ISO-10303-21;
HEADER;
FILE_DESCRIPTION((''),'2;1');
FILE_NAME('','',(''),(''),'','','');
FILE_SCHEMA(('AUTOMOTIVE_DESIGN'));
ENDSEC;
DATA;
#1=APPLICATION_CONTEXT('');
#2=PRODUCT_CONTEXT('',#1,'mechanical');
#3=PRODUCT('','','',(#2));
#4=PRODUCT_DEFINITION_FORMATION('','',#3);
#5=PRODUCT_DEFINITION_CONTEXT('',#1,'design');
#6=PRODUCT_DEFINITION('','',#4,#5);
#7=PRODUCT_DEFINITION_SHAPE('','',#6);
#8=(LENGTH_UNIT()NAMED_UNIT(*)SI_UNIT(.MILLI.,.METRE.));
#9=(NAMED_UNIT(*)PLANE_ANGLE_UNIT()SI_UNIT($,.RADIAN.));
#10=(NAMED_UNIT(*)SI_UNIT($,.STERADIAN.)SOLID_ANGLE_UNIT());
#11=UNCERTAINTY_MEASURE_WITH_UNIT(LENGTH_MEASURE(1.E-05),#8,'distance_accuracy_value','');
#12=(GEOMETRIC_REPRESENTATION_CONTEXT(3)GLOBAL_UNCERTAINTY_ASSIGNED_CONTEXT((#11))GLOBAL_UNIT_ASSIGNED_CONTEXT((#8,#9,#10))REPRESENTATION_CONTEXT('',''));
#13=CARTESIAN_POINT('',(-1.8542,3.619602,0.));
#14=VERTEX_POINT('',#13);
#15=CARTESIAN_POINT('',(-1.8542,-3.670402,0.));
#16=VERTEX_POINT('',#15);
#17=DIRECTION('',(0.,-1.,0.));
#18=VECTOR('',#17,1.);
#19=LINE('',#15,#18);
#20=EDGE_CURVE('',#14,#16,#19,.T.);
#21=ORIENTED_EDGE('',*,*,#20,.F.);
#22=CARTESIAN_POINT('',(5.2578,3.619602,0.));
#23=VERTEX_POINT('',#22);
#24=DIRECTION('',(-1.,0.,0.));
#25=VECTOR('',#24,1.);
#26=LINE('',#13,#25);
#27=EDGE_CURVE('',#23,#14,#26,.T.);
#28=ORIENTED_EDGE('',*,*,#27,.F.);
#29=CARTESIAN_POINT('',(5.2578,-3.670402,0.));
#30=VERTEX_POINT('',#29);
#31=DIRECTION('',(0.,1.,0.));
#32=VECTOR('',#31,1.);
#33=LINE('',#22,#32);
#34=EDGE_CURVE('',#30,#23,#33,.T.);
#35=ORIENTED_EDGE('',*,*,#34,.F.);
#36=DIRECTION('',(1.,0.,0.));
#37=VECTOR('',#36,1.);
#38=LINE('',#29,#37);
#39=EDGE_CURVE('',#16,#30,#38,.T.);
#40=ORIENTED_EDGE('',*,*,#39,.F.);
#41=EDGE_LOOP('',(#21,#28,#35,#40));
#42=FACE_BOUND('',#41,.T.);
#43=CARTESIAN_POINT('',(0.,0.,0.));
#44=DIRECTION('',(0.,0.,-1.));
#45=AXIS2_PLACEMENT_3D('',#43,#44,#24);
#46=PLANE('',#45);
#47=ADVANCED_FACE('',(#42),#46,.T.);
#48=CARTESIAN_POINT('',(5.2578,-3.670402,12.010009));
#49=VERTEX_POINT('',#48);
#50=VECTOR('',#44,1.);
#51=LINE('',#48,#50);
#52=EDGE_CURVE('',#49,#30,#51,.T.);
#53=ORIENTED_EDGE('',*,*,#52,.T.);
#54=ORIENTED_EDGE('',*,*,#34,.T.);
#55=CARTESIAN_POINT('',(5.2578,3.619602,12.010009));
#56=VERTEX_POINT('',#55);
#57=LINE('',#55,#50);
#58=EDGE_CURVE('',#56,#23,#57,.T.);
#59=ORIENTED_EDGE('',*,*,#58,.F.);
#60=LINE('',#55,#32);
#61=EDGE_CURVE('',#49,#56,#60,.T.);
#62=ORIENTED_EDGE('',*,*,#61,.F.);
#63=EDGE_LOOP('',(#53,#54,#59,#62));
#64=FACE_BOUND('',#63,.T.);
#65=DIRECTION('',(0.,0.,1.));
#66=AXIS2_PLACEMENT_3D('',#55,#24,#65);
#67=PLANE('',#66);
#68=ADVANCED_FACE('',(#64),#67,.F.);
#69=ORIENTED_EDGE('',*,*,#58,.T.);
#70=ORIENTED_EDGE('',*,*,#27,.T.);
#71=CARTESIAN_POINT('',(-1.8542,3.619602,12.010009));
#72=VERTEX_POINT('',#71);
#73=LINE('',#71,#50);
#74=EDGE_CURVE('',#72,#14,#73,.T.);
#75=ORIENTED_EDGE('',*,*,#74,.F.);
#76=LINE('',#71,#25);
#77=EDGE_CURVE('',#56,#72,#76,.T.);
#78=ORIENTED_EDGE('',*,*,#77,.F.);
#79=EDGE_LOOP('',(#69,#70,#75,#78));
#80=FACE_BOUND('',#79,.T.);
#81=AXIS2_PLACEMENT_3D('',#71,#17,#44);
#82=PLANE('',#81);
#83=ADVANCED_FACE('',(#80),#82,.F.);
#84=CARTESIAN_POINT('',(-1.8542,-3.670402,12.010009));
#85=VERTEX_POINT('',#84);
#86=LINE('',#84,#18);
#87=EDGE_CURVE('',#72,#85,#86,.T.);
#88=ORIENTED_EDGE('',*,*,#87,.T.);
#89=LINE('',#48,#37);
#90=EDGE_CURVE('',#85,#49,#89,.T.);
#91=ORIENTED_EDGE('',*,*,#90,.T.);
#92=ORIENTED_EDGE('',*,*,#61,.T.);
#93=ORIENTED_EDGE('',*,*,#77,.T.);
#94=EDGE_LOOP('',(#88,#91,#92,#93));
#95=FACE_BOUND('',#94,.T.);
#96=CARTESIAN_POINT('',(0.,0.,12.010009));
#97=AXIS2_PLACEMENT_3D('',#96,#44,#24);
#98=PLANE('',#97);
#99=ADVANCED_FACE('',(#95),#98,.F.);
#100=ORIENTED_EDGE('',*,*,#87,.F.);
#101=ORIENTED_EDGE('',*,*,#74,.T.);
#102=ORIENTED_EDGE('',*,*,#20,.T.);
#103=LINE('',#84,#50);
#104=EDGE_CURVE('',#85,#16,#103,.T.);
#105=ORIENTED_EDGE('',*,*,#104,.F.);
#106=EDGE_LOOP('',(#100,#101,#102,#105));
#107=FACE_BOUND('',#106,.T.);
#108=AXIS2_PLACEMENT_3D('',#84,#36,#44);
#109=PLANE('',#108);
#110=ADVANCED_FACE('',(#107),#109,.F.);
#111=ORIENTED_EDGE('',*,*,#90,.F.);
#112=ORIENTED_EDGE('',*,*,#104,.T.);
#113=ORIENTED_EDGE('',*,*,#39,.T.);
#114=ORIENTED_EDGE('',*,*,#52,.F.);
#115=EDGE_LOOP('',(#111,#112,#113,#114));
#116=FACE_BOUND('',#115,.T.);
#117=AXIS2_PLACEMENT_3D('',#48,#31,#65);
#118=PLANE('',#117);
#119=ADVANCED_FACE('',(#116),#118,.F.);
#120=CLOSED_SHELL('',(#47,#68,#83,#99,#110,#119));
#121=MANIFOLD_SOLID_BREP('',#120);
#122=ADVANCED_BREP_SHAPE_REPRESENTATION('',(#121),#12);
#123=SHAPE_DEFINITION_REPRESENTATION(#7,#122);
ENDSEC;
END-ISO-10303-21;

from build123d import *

# Parameters (mm, degrees)
SKETCH1_W               = 7.112
SKETCH1_H               = 7.2900032
COMPONENT_OUTLINE_DEPTH = 12.010009


with BuildPart() as part:
    # Sketch1 → Component_Outline (new body)
    with BuildSketch(Plane.XY):
        with Locations((1.7018, -0.0254)):
            Rectangle(SKETCH1_W, SKETCH1_H)
    extrude(amount=COMPONENT_OUTLINE_DEPTH)


solid = part.part
